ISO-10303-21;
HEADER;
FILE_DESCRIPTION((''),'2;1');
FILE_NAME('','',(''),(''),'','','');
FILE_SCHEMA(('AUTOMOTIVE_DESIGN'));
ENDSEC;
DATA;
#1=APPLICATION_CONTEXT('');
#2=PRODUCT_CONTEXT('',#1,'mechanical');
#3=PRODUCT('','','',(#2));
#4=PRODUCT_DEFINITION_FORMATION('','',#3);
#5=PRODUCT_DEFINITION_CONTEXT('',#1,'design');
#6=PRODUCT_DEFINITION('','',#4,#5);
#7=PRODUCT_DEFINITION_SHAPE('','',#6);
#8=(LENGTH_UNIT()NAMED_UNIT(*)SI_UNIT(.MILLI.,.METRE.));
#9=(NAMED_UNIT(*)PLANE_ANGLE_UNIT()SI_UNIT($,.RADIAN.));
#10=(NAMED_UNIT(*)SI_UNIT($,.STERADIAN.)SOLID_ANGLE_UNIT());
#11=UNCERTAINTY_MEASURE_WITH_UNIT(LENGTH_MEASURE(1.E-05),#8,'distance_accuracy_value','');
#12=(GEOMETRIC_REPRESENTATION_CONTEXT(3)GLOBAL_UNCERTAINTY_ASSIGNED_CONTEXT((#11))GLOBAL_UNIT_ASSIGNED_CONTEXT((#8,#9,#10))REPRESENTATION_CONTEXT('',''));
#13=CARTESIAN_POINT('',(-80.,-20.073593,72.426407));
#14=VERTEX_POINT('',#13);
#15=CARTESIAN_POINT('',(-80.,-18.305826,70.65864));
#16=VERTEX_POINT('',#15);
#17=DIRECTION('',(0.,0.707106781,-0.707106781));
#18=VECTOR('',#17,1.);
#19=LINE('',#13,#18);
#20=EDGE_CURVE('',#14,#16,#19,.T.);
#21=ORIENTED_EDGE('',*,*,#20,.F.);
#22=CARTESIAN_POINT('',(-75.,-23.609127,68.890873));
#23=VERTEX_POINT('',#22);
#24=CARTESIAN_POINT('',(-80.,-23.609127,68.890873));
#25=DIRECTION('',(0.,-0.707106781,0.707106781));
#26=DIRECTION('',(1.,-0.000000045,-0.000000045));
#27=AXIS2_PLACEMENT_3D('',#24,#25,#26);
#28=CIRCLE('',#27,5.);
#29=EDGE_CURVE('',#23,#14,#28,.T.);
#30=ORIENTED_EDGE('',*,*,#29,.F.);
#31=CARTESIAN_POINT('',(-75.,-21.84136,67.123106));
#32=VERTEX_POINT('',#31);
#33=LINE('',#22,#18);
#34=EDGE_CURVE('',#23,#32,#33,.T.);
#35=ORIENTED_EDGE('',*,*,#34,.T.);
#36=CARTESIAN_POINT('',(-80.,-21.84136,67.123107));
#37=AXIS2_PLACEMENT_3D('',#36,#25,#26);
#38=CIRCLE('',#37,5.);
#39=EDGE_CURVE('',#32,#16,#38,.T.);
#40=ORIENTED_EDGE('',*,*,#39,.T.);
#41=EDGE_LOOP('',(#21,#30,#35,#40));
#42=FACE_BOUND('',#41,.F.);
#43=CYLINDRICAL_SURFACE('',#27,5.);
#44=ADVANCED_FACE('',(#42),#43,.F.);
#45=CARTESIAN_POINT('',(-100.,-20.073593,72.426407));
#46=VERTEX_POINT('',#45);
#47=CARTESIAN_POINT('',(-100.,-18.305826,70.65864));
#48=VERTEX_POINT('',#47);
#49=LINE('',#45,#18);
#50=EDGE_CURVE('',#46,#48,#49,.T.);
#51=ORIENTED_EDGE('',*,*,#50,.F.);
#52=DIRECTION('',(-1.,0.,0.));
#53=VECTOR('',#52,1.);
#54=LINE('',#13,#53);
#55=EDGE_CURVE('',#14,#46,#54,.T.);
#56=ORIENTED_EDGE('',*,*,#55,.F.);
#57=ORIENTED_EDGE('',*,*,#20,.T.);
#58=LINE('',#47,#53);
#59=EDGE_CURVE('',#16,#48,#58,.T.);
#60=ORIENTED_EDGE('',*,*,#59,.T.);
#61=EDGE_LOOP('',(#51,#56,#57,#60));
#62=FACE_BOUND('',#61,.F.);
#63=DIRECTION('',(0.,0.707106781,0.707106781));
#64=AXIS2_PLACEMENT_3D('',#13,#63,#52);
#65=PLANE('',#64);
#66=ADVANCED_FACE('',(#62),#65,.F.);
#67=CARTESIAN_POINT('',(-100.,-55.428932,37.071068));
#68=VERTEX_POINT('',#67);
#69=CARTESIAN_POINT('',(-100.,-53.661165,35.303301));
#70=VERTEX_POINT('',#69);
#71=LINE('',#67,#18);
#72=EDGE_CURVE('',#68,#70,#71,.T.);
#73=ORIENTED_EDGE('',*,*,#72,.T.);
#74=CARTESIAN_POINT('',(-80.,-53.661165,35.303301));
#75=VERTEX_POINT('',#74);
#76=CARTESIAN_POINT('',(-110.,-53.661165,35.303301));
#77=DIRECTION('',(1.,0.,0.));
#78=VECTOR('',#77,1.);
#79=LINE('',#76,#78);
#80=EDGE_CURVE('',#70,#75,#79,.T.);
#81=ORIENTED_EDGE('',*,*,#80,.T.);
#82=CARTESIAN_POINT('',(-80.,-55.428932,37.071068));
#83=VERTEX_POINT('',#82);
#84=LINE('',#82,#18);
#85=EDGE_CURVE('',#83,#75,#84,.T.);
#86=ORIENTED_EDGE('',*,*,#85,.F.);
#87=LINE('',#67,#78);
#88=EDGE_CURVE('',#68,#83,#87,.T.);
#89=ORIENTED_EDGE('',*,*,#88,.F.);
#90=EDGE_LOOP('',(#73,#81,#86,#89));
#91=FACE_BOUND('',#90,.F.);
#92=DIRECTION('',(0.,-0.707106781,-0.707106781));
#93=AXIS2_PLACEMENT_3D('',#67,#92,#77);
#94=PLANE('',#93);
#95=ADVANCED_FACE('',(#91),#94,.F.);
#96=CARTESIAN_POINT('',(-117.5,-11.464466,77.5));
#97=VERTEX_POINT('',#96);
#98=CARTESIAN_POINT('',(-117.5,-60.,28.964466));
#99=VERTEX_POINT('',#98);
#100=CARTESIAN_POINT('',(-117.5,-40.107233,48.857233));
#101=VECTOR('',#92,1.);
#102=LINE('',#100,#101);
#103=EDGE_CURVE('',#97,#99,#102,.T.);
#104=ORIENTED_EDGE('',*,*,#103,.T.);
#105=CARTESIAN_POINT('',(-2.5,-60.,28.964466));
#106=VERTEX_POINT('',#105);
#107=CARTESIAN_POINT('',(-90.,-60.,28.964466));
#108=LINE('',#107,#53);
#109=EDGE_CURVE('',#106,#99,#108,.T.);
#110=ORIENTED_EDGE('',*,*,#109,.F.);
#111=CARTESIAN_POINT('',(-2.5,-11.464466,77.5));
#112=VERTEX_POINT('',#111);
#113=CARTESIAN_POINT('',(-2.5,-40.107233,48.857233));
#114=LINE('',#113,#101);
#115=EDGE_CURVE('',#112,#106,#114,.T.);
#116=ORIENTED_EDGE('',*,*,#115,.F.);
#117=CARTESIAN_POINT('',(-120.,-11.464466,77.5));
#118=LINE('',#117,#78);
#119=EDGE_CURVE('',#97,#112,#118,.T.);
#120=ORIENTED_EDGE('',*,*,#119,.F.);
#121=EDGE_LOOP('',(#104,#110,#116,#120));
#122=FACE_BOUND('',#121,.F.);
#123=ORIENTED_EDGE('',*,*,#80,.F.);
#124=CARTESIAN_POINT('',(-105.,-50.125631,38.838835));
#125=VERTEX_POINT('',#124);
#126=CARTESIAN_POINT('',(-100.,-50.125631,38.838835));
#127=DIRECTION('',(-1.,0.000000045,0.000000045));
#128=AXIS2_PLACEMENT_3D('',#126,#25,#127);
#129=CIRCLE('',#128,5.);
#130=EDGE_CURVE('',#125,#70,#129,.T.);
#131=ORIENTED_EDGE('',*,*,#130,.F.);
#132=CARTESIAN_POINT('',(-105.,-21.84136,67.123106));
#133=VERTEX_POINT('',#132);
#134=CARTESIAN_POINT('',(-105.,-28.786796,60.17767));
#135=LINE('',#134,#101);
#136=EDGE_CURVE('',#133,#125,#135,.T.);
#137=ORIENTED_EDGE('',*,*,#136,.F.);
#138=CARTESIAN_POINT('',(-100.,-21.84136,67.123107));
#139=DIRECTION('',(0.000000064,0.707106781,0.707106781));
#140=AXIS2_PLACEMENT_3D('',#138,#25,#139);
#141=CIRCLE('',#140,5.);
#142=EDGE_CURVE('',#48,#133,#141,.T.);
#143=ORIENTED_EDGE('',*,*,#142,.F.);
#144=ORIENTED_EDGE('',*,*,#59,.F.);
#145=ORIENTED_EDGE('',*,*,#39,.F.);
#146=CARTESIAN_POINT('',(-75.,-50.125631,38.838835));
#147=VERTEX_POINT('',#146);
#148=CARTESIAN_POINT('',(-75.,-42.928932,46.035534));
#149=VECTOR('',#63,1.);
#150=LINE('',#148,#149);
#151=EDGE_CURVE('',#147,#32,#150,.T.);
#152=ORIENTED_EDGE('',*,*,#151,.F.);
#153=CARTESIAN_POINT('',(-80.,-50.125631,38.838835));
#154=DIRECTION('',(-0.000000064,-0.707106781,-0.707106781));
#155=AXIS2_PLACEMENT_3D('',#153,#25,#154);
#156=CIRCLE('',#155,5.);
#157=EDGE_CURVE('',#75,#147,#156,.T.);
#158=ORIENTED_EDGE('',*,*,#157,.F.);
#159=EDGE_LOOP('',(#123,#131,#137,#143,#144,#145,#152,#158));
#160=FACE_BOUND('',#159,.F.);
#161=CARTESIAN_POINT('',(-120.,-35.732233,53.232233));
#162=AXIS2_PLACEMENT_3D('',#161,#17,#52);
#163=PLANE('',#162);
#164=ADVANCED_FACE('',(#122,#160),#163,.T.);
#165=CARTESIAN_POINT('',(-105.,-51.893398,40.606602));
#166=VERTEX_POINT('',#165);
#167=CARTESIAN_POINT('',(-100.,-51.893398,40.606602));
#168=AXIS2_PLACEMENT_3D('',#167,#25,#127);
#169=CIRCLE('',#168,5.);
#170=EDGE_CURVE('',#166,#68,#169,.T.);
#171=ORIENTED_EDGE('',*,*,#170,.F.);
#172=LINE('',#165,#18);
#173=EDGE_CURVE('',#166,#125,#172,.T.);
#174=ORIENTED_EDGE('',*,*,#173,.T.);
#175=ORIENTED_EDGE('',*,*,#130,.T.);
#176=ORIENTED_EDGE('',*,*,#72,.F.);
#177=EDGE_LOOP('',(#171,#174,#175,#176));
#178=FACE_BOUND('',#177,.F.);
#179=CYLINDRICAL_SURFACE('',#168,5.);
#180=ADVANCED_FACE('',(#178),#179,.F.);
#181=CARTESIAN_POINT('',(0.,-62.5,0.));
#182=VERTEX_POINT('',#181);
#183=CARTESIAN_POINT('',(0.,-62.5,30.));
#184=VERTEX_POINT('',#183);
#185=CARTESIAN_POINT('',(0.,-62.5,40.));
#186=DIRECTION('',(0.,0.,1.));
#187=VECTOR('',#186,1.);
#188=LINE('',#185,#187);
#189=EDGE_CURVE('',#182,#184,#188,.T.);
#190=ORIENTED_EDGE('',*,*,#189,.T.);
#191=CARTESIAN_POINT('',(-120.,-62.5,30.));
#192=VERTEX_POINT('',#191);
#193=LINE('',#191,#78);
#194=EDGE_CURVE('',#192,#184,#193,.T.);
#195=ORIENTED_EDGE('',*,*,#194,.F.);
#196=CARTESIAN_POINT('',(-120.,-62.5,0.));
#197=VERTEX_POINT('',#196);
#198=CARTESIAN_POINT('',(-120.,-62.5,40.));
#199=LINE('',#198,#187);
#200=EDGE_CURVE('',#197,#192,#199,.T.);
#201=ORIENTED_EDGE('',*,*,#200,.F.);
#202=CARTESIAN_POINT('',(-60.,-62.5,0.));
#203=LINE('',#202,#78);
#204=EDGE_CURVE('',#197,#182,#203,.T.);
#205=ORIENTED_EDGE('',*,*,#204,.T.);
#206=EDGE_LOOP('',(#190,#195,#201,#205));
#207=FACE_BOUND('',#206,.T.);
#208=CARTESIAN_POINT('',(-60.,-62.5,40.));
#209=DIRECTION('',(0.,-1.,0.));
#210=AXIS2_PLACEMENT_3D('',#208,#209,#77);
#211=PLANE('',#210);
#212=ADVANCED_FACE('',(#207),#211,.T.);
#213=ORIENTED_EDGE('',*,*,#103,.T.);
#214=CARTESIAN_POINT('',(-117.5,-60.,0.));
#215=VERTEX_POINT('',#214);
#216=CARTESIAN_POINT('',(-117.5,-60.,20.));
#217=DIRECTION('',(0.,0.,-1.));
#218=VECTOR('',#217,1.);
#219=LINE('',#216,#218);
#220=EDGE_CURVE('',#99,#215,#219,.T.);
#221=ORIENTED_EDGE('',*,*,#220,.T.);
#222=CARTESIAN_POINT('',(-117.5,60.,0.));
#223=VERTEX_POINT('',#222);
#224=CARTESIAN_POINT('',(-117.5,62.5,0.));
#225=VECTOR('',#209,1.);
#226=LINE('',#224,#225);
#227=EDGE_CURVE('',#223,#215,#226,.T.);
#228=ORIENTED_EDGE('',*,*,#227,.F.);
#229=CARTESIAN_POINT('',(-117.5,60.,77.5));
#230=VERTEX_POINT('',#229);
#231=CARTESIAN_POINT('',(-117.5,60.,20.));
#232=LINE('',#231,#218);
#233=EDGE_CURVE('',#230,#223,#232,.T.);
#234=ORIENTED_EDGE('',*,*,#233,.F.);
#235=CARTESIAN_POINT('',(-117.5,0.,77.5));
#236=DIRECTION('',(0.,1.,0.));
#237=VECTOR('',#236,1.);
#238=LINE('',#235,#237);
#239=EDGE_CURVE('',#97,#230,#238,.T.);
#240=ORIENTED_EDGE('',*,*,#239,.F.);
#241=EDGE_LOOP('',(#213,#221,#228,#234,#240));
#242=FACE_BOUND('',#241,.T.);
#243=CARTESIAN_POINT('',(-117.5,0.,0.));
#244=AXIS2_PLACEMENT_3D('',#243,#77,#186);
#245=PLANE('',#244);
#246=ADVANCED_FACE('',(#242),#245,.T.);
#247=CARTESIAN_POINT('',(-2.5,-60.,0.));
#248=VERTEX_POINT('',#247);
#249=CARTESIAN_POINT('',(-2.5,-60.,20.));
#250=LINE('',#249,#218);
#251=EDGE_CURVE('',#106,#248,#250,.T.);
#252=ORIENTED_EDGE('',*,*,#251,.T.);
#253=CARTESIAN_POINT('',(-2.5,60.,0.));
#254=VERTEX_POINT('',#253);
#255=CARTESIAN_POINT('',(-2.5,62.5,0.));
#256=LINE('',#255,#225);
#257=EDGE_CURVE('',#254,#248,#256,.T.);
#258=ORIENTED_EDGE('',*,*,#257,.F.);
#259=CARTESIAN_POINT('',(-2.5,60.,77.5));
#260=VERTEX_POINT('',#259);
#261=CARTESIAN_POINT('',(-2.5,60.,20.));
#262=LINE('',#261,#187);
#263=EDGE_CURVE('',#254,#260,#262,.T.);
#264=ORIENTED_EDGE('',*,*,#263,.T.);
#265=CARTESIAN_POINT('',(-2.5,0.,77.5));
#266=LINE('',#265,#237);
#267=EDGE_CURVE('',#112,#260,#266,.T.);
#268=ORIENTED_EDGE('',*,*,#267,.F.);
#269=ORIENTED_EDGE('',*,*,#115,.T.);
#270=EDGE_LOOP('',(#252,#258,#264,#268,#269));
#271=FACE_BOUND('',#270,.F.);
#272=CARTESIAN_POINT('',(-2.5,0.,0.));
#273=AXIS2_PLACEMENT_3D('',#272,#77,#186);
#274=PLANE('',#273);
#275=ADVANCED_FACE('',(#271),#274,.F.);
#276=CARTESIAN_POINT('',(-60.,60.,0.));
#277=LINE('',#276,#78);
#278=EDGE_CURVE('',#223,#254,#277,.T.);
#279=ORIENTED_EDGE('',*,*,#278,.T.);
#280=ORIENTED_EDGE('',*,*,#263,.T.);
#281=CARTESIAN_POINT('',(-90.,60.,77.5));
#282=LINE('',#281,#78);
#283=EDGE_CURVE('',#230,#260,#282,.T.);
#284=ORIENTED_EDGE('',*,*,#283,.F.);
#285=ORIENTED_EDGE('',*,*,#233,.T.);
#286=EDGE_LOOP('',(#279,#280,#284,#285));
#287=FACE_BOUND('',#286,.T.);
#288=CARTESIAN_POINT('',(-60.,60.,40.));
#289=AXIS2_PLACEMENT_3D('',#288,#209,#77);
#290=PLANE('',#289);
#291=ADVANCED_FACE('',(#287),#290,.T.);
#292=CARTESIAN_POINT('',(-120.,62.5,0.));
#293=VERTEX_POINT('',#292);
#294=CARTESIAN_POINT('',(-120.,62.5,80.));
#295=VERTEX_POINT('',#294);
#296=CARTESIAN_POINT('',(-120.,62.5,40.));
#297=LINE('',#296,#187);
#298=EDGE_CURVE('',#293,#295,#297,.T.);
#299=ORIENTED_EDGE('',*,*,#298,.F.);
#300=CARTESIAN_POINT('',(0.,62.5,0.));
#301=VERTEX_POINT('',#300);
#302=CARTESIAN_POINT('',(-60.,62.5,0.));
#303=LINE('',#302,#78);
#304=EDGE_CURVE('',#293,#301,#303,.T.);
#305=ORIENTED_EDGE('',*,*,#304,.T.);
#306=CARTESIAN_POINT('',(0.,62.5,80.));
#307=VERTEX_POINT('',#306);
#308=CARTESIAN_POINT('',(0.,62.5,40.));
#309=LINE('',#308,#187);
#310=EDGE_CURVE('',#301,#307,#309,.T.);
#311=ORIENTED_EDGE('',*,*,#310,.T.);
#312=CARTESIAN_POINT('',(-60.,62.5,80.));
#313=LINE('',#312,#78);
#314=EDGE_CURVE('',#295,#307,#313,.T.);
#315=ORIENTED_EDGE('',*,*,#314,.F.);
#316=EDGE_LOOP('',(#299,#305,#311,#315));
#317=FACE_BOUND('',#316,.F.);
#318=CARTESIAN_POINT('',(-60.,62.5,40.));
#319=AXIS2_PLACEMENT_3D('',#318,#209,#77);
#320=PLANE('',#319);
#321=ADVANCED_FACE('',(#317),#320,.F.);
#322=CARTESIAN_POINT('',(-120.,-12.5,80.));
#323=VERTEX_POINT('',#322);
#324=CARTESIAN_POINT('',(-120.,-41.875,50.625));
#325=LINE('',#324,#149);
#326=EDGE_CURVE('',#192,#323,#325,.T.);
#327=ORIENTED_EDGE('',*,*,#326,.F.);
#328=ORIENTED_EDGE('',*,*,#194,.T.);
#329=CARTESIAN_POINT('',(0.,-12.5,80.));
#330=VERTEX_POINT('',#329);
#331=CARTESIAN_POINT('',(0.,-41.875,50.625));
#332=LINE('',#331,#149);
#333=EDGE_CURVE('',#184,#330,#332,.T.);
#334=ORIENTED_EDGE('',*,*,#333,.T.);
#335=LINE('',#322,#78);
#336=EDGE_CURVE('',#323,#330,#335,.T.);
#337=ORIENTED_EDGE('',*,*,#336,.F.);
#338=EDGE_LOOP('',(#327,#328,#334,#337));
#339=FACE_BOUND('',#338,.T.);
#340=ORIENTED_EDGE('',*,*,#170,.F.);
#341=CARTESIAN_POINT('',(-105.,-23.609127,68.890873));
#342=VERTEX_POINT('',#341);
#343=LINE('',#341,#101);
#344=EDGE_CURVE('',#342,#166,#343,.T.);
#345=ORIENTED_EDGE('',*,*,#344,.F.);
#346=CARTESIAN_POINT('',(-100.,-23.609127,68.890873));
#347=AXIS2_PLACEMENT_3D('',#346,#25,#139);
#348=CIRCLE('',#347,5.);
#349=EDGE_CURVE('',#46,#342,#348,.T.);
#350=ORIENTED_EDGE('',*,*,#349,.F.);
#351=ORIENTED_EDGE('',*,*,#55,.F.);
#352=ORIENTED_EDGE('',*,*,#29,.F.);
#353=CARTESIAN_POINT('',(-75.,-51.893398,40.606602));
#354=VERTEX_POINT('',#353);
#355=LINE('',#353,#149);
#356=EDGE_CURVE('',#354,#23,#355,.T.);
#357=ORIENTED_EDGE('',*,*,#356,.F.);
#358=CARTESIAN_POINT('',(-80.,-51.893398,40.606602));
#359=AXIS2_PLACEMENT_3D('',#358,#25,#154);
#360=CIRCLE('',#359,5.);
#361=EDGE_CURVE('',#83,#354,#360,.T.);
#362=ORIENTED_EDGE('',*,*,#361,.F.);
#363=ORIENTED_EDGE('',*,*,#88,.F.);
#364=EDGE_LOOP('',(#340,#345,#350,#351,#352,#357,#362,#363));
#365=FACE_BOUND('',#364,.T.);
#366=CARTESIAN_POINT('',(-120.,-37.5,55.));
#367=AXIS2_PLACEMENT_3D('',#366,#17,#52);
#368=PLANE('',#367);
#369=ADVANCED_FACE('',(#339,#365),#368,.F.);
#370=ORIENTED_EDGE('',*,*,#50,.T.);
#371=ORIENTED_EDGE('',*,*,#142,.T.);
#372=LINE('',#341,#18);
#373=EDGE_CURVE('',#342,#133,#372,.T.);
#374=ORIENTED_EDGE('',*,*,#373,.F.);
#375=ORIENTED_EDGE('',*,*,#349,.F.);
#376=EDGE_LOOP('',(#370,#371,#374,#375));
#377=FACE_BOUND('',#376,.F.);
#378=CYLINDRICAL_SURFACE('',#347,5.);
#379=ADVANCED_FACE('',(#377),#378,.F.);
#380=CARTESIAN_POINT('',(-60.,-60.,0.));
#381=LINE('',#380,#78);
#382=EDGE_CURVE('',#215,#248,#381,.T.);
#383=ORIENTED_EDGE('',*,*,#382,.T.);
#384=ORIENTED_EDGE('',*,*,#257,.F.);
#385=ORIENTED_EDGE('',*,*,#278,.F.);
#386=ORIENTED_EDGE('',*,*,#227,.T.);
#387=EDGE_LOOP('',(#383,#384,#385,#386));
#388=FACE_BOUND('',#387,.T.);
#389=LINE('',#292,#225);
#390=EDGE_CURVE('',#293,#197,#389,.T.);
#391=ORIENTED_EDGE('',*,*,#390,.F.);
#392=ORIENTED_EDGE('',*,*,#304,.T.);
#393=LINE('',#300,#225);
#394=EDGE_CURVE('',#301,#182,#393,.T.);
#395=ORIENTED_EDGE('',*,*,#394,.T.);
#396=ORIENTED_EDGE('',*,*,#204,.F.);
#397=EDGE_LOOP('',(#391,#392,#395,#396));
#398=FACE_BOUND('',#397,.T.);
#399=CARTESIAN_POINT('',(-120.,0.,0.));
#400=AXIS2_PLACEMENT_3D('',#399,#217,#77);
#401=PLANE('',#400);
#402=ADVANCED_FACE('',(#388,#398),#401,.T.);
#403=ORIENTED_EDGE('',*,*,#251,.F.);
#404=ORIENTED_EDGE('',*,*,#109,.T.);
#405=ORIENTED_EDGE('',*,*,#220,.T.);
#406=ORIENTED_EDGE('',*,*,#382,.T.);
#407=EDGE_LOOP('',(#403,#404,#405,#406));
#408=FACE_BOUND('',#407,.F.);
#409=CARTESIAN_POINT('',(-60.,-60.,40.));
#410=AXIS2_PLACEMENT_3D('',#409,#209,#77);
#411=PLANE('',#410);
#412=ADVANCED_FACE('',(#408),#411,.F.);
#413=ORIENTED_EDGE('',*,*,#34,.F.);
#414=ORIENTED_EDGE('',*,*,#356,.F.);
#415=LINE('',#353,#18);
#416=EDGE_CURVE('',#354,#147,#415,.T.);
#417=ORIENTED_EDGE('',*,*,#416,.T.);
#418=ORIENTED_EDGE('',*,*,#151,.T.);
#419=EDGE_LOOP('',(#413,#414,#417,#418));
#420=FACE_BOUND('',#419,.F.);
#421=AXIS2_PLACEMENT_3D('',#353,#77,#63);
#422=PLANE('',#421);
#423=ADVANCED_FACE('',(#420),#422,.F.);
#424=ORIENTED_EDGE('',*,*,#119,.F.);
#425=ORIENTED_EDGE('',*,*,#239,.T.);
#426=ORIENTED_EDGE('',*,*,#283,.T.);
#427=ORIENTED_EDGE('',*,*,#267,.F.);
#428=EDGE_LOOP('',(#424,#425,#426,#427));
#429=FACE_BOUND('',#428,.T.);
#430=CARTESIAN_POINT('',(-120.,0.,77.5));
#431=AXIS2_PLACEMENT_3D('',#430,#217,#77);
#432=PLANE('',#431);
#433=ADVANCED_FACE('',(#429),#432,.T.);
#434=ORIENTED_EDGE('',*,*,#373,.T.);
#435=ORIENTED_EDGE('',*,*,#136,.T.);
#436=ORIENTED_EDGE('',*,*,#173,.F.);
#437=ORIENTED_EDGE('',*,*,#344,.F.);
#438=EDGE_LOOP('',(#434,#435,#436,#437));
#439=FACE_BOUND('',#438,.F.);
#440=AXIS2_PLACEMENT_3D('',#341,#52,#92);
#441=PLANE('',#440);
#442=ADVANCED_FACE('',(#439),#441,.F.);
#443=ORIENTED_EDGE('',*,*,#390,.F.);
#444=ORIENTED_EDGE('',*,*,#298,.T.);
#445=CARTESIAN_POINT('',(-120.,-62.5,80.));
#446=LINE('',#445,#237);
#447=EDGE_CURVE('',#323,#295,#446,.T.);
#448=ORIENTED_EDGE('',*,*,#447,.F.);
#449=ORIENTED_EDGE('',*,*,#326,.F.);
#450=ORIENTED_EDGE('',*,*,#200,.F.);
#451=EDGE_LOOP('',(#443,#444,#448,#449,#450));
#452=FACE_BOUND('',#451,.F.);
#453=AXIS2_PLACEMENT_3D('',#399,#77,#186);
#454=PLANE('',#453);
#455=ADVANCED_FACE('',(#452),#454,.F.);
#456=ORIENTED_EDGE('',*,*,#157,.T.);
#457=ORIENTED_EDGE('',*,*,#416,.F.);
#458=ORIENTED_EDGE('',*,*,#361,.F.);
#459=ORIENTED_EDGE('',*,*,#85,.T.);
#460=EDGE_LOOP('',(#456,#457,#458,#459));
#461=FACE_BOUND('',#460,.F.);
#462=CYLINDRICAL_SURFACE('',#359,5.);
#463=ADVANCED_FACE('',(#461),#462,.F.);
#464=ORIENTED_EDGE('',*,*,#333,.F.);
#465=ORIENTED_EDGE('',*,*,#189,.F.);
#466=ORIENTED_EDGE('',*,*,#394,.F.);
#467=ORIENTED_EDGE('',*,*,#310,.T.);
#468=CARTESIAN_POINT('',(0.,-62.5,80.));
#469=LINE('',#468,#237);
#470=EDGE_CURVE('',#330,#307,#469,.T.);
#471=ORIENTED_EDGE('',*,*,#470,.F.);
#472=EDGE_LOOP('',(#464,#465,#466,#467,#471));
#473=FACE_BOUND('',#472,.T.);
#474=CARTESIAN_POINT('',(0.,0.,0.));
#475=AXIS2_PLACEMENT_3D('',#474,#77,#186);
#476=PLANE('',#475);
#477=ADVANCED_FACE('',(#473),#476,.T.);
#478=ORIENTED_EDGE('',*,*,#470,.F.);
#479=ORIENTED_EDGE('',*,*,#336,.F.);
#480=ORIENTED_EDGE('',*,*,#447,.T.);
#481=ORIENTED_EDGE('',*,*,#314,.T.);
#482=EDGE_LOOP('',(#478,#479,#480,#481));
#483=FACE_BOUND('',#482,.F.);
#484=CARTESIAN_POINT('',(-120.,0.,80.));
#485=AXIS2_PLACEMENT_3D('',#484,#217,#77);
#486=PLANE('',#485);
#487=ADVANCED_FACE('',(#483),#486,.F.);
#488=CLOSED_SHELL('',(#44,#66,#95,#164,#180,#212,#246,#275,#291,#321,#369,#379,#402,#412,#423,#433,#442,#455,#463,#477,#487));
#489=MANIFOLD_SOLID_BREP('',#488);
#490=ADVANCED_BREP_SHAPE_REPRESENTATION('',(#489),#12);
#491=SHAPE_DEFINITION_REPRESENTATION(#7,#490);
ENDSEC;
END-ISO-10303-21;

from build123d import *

# Parameters (mm, degrees)
F0_W     = 120
F0_H     = 80
F1_DEPTH = 62.5
F2_SIZE  = 50
F3_T     = -2.5
F5_DEPTH = 25


with BuildPart() as f1:
    # F0 (on Front) → F1 (new body, symmetric)
    with BuildSketch(Plane.XZ):
        with Locations((-60, 40)):
            Rectangle(F0_W, F0_H)
    extrude(amount=F1_DEPTH, both=True)

    # F2
    f2_edges = [f1.edges().sort_by_distance(p)[0] for p in [
        (-60, -62.5, 80),
    ]]
    chamfer(f2_edges, length=F2_SIZE)

    # F3
    f3_openings = [f1.faces().sort_by_distance(p)[0] for p in [
        (-60, 0, 0),
    ]]
    offset(amount=F3_T, openings=f3_openings)

    # F4 (on face) → F5 (cut)
    with BuildSketch(Plane(origin=(0, -46.25, 46.25), x_dir=(1, 0, 0), z_dir=(0, -0.707107, 0.707107))):
        with BuildLine():
            Line((-80, 37.01903), (-100, 37.01903))
            ThreePointArc((-100, 37.01903), (-103.535534, 35.554564), (-105, 32.01903))
            Line((-105, 32.01903), (-105, -7.98097))
            ThreePointArc((-105, -7.98097), (-103.535534, -11.516504), (-100, -12.98097))
            Line((-100, -12.98097), (-80, -12.98097))
            ThreePointArc((-80, -12.98097), (-76.464466, -11.516504), (-75, -7.98097))
            Line((-75, -7.98097), (-75, 32.01903))
            ThreePointArc((-75, 32.01903), (-76.464466, 35.554564), (-80, 37.01903))
        make_face()
    extrude(amount=-F5_DEPTH, mode=Mode.SUBTRACT)


solid = f1.part
